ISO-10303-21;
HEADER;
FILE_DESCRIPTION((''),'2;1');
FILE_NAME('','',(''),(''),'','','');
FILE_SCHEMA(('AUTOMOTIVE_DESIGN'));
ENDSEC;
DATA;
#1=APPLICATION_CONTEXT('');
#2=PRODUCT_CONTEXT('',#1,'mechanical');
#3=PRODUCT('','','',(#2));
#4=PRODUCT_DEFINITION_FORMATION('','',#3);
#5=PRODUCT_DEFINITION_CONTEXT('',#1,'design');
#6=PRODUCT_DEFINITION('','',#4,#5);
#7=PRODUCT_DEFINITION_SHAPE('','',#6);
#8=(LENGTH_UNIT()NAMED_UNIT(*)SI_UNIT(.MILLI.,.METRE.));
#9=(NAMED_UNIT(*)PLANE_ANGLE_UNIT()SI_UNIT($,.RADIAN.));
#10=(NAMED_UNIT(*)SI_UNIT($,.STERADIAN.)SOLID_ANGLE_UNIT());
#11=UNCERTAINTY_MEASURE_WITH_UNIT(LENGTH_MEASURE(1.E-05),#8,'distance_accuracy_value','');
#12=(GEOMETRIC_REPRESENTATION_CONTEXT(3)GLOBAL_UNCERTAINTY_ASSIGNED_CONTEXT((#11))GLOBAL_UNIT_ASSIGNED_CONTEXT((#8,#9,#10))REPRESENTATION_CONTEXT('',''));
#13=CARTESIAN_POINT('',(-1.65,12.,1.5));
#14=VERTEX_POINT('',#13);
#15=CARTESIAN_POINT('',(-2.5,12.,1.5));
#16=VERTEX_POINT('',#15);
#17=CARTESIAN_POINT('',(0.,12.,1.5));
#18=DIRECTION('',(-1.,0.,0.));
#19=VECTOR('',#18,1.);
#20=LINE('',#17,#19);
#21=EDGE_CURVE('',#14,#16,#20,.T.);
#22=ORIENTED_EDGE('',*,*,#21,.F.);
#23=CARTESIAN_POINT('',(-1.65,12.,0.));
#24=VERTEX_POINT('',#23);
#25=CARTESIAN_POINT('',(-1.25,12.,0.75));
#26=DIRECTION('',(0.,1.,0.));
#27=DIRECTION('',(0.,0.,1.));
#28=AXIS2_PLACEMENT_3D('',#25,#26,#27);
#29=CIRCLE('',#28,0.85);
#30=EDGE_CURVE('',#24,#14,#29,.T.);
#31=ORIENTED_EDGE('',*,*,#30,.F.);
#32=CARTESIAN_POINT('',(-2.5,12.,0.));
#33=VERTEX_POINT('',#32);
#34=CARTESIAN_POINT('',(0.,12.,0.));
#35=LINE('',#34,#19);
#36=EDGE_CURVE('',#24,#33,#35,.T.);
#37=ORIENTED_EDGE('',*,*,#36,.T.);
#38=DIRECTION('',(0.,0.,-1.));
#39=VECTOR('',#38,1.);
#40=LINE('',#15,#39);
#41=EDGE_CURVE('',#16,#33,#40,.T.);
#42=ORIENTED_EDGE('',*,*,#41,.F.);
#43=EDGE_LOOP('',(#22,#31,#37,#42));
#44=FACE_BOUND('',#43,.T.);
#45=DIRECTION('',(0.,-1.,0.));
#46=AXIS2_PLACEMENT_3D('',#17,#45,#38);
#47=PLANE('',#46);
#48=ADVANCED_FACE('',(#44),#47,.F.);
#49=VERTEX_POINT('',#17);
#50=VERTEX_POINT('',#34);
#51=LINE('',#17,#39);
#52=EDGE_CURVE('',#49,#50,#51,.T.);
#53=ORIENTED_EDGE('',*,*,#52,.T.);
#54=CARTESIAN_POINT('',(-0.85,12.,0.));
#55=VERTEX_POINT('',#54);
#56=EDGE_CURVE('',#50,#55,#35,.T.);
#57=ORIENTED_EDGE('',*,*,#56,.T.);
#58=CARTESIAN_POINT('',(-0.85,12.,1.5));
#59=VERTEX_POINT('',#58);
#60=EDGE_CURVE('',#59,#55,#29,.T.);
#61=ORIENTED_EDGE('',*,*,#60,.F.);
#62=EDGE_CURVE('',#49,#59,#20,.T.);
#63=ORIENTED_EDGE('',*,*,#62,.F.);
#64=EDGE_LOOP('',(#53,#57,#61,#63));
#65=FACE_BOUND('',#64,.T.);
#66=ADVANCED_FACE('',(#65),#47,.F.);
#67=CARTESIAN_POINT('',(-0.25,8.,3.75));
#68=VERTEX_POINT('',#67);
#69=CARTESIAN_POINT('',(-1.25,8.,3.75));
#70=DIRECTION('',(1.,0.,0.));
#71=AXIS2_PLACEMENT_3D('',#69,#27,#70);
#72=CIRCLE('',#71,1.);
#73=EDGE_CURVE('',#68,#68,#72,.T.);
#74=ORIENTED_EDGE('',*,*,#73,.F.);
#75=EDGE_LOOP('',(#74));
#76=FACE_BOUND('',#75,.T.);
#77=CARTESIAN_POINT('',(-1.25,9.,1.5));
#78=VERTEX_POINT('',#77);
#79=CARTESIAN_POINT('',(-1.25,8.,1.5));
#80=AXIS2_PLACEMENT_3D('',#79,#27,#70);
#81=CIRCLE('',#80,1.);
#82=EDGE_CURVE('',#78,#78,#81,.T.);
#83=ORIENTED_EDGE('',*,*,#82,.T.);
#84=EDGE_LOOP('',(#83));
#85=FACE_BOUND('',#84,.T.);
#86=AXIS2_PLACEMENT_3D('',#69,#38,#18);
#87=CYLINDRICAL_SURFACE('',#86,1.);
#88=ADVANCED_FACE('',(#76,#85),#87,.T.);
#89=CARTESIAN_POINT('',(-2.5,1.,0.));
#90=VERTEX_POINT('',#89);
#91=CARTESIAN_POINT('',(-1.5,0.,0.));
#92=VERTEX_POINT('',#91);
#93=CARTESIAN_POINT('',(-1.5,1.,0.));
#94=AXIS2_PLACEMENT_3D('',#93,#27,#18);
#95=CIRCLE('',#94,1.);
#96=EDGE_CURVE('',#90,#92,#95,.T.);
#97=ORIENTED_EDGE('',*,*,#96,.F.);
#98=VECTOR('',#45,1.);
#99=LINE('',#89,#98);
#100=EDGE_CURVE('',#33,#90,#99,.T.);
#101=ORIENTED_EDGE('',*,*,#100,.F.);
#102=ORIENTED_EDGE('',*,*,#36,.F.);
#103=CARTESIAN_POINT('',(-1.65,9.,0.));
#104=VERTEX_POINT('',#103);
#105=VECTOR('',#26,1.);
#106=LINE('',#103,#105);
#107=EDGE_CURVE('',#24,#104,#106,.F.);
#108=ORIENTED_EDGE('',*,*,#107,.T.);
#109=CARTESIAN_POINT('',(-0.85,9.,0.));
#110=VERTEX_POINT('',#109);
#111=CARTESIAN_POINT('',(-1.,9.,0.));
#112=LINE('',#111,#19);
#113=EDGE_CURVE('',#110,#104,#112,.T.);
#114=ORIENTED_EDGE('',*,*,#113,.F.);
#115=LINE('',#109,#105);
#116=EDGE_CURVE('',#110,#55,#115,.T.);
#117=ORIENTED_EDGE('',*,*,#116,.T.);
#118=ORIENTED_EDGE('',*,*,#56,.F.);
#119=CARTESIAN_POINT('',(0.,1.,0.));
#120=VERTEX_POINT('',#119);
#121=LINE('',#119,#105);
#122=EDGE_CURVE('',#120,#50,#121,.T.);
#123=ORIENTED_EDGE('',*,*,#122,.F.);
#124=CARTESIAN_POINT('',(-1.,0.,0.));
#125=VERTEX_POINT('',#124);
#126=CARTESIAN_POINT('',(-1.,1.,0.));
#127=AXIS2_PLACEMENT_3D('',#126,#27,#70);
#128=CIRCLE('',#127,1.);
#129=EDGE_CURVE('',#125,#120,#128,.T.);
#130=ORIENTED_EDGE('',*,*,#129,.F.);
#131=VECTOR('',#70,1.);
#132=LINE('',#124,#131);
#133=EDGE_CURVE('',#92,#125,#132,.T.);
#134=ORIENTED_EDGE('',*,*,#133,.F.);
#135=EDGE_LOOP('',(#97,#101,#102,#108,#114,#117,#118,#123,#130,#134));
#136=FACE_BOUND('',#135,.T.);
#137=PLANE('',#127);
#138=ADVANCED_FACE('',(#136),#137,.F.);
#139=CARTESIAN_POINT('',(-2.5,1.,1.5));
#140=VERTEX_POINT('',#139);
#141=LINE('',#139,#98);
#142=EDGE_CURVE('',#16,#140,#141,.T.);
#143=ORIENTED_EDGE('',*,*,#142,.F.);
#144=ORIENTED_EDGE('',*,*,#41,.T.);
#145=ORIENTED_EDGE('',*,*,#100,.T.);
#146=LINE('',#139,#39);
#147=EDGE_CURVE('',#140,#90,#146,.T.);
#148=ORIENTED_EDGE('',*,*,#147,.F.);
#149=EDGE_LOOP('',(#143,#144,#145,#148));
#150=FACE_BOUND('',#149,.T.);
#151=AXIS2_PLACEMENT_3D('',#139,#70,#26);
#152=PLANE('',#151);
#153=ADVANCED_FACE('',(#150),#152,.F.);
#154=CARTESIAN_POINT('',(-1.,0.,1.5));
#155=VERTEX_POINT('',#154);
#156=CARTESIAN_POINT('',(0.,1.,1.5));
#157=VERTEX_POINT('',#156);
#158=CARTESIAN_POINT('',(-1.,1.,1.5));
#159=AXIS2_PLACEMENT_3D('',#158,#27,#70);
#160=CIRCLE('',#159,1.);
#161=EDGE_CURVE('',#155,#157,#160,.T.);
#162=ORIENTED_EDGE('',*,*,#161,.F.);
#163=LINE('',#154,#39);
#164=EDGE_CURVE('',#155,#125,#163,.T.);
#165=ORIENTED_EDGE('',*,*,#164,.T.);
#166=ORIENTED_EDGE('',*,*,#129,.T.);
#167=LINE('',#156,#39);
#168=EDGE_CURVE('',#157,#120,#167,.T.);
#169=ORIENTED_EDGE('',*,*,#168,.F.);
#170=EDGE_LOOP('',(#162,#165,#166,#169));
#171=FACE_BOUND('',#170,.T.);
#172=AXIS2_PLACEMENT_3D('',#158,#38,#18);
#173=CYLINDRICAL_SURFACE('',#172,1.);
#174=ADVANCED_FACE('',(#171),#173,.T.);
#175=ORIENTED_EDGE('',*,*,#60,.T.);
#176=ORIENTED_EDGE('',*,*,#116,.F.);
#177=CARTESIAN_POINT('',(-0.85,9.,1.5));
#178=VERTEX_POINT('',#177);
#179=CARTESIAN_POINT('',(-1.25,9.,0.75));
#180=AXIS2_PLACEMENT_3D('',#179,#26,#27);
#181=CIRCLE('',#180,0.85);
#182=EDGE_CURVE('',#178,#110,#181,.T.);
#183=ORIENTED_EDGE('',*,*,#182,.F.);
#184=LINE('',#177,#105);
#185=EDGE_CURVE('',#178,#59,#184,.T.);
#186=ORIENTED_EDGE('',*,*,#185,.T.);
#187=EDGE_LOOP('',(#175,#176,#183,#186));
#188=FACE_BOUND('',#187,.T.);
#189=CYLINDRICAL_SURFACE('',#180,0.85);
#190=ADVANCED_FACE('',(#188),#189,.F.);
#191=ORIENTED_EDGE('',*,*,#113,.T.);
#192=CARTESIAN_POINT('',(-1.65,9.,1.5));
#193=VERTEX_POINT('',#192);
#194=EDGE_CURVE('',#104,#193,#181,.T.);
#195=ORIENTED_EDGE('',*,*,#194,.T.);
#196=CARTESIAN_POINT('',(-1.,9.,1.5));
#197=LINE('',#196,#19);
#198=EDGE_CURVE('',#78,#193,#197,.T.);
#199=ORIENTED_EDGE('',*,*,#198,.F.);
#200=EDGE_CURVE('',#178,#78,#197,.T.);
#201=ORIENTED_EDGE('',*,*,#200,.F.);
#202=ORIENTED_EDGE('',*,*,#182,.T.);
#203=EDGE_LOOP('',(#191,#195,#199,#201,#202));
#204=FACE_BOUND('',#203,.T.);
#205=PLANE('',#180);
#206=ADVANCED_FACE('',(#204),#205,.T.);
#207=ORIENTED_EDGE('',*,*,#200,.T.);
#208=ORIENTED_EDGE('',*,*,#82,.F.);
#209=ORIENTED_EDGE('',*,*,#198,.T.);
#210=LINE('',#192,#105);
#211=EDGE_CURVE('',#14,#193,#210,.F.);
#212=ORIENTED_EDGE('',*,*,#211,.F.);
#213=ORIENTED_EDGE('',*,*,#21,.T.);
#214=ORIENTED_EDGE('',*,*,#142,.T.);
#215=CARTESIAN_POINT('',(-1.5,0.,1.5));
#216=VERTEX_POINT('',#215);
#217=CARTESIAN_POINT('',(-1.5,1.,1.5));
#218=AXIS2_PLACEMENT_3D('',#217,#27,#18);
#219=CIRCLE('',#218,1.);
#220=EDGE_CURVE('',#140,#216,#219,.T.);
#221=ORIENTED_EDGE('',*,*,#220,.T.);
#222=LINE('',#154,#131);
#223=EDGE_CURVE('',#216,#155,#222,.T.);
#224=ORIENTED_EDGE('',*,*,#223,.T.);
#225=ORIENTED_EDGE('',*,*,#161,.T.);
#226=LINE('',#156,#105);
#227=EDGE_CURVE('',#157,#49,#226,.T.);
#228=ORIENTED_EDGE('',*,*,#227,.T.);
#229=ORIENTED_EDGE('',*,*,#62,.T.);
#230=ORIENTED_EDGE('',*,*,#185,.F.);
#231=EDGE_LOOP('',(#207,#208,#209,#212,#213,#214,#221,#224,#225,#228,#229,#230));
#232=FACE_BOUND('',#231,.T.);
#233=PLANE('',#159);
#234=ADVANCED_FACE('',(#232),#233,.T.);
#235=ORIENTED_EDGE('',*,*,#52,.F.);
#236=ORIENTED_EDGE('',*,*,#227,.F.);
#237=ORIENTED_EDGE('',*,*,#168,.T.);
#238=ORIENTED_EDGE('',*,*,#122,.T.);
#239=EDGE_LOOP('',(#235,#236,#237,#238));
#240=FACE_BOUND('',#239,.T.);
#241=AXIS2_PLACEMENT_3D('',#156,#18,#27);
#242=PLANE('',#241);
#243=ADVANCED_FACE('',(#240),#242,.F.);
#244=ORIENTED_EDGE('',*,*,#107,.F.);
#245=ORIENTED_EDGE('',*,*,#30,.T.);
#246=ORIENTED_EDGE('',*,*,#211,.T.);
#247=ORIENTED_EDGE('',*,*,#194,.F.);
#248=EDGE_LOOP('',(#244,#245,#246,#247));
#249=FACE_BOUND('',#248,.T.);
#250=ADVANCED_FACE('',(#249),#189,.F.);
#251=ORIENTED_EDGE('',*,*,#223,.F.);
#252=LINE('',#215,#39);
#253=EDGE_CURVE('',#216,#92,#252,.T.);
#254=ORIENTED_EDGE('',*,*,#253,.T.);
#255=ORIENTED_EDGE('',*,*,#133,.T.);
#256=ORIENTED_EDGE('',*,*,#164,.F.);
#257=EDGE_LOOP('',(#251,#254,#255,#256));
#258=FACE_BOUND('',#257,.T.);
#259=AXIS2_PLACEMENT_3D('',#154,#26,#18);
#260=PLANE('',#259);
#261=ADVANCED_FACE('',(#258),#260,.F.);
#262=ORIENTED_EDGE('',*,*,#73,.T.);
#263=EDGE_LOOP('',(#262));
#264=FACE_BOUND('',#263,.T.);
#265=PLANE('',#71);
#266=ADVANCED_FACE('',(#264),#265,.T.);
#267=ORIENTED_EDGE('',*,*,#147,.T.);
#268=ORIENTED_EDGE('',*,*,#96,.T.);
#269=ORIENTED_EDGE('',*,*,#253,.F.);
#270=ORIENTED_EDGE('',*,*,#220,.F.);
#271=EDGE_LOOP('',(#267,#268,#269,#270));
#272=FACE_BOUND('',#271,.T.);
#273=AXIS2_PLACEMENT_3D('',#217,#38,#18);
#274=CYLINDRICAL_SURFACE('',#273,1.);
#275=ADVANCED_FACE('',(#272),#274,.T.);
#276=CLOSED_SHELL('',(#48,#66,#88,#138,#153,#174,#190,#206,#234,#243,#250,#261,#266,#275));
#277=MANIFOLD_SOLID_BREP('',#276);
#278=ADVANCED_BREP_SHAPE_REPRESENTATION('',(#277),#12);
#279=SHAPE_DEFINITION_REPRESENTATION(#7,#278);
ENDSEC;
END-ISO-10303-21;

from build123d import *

# Parameters (mm, degrees)
EXTRUDE_1_DEPTH     = 1.5
SKETCH_2_R          = 1
EXTRUDE_2_DEPTH     = 2.25
SKETCH_3_R          = 0.85
CUT_EXTRUDE_1_DEPTH = 3


with BuildPart() as part:
    # Эскиз1 → Бобышка-Вытянуть1 (new body)
    with BuildSketch(Plane.XY):
        with BuildLine():
            Line((-1, 0), (-1.5, 0))
            ThreePointArc((-1.5, 0), (-2.207106781, 0.292893219), (-2.5, 1))
            Line((-2.5, 1), (-2.5, 12))
            Line((-2.5, 12), (0, 12))
            Line((0, 12), (0, 1))
            ThreePointArc((0, 1), (-0.292893219, 0.292893219), (-1, 0))
        make_face()
    extrude(amount=EXTRUDE_1_DEPTH)

    # Эскиз2 → Бобышка-Вытянуть2 (add)
    with BuildSketch(Plane.XY.offset(1.5)):
        with Locations((-1.25, 8)):
            Circle(SKETCH_2_R)
    extrude(amount=EXTRUDE_2_DEPTH)

    # Эскиз3 → Вырез-Вытянуть1 (cut)
    with BuildSketch(Plane(origin=(0, 12, 0), x_dir=(1, 0, 0), z_dir=(0, 1, 0))):
        with Locations((-1.25, -0.75)):
            Circle(SKETCH_3_R)
    extrude(amount=-CUT_EXTRUDE_1_DEPTH, mode=Mode.SUBTRACT)


solid = part.part
